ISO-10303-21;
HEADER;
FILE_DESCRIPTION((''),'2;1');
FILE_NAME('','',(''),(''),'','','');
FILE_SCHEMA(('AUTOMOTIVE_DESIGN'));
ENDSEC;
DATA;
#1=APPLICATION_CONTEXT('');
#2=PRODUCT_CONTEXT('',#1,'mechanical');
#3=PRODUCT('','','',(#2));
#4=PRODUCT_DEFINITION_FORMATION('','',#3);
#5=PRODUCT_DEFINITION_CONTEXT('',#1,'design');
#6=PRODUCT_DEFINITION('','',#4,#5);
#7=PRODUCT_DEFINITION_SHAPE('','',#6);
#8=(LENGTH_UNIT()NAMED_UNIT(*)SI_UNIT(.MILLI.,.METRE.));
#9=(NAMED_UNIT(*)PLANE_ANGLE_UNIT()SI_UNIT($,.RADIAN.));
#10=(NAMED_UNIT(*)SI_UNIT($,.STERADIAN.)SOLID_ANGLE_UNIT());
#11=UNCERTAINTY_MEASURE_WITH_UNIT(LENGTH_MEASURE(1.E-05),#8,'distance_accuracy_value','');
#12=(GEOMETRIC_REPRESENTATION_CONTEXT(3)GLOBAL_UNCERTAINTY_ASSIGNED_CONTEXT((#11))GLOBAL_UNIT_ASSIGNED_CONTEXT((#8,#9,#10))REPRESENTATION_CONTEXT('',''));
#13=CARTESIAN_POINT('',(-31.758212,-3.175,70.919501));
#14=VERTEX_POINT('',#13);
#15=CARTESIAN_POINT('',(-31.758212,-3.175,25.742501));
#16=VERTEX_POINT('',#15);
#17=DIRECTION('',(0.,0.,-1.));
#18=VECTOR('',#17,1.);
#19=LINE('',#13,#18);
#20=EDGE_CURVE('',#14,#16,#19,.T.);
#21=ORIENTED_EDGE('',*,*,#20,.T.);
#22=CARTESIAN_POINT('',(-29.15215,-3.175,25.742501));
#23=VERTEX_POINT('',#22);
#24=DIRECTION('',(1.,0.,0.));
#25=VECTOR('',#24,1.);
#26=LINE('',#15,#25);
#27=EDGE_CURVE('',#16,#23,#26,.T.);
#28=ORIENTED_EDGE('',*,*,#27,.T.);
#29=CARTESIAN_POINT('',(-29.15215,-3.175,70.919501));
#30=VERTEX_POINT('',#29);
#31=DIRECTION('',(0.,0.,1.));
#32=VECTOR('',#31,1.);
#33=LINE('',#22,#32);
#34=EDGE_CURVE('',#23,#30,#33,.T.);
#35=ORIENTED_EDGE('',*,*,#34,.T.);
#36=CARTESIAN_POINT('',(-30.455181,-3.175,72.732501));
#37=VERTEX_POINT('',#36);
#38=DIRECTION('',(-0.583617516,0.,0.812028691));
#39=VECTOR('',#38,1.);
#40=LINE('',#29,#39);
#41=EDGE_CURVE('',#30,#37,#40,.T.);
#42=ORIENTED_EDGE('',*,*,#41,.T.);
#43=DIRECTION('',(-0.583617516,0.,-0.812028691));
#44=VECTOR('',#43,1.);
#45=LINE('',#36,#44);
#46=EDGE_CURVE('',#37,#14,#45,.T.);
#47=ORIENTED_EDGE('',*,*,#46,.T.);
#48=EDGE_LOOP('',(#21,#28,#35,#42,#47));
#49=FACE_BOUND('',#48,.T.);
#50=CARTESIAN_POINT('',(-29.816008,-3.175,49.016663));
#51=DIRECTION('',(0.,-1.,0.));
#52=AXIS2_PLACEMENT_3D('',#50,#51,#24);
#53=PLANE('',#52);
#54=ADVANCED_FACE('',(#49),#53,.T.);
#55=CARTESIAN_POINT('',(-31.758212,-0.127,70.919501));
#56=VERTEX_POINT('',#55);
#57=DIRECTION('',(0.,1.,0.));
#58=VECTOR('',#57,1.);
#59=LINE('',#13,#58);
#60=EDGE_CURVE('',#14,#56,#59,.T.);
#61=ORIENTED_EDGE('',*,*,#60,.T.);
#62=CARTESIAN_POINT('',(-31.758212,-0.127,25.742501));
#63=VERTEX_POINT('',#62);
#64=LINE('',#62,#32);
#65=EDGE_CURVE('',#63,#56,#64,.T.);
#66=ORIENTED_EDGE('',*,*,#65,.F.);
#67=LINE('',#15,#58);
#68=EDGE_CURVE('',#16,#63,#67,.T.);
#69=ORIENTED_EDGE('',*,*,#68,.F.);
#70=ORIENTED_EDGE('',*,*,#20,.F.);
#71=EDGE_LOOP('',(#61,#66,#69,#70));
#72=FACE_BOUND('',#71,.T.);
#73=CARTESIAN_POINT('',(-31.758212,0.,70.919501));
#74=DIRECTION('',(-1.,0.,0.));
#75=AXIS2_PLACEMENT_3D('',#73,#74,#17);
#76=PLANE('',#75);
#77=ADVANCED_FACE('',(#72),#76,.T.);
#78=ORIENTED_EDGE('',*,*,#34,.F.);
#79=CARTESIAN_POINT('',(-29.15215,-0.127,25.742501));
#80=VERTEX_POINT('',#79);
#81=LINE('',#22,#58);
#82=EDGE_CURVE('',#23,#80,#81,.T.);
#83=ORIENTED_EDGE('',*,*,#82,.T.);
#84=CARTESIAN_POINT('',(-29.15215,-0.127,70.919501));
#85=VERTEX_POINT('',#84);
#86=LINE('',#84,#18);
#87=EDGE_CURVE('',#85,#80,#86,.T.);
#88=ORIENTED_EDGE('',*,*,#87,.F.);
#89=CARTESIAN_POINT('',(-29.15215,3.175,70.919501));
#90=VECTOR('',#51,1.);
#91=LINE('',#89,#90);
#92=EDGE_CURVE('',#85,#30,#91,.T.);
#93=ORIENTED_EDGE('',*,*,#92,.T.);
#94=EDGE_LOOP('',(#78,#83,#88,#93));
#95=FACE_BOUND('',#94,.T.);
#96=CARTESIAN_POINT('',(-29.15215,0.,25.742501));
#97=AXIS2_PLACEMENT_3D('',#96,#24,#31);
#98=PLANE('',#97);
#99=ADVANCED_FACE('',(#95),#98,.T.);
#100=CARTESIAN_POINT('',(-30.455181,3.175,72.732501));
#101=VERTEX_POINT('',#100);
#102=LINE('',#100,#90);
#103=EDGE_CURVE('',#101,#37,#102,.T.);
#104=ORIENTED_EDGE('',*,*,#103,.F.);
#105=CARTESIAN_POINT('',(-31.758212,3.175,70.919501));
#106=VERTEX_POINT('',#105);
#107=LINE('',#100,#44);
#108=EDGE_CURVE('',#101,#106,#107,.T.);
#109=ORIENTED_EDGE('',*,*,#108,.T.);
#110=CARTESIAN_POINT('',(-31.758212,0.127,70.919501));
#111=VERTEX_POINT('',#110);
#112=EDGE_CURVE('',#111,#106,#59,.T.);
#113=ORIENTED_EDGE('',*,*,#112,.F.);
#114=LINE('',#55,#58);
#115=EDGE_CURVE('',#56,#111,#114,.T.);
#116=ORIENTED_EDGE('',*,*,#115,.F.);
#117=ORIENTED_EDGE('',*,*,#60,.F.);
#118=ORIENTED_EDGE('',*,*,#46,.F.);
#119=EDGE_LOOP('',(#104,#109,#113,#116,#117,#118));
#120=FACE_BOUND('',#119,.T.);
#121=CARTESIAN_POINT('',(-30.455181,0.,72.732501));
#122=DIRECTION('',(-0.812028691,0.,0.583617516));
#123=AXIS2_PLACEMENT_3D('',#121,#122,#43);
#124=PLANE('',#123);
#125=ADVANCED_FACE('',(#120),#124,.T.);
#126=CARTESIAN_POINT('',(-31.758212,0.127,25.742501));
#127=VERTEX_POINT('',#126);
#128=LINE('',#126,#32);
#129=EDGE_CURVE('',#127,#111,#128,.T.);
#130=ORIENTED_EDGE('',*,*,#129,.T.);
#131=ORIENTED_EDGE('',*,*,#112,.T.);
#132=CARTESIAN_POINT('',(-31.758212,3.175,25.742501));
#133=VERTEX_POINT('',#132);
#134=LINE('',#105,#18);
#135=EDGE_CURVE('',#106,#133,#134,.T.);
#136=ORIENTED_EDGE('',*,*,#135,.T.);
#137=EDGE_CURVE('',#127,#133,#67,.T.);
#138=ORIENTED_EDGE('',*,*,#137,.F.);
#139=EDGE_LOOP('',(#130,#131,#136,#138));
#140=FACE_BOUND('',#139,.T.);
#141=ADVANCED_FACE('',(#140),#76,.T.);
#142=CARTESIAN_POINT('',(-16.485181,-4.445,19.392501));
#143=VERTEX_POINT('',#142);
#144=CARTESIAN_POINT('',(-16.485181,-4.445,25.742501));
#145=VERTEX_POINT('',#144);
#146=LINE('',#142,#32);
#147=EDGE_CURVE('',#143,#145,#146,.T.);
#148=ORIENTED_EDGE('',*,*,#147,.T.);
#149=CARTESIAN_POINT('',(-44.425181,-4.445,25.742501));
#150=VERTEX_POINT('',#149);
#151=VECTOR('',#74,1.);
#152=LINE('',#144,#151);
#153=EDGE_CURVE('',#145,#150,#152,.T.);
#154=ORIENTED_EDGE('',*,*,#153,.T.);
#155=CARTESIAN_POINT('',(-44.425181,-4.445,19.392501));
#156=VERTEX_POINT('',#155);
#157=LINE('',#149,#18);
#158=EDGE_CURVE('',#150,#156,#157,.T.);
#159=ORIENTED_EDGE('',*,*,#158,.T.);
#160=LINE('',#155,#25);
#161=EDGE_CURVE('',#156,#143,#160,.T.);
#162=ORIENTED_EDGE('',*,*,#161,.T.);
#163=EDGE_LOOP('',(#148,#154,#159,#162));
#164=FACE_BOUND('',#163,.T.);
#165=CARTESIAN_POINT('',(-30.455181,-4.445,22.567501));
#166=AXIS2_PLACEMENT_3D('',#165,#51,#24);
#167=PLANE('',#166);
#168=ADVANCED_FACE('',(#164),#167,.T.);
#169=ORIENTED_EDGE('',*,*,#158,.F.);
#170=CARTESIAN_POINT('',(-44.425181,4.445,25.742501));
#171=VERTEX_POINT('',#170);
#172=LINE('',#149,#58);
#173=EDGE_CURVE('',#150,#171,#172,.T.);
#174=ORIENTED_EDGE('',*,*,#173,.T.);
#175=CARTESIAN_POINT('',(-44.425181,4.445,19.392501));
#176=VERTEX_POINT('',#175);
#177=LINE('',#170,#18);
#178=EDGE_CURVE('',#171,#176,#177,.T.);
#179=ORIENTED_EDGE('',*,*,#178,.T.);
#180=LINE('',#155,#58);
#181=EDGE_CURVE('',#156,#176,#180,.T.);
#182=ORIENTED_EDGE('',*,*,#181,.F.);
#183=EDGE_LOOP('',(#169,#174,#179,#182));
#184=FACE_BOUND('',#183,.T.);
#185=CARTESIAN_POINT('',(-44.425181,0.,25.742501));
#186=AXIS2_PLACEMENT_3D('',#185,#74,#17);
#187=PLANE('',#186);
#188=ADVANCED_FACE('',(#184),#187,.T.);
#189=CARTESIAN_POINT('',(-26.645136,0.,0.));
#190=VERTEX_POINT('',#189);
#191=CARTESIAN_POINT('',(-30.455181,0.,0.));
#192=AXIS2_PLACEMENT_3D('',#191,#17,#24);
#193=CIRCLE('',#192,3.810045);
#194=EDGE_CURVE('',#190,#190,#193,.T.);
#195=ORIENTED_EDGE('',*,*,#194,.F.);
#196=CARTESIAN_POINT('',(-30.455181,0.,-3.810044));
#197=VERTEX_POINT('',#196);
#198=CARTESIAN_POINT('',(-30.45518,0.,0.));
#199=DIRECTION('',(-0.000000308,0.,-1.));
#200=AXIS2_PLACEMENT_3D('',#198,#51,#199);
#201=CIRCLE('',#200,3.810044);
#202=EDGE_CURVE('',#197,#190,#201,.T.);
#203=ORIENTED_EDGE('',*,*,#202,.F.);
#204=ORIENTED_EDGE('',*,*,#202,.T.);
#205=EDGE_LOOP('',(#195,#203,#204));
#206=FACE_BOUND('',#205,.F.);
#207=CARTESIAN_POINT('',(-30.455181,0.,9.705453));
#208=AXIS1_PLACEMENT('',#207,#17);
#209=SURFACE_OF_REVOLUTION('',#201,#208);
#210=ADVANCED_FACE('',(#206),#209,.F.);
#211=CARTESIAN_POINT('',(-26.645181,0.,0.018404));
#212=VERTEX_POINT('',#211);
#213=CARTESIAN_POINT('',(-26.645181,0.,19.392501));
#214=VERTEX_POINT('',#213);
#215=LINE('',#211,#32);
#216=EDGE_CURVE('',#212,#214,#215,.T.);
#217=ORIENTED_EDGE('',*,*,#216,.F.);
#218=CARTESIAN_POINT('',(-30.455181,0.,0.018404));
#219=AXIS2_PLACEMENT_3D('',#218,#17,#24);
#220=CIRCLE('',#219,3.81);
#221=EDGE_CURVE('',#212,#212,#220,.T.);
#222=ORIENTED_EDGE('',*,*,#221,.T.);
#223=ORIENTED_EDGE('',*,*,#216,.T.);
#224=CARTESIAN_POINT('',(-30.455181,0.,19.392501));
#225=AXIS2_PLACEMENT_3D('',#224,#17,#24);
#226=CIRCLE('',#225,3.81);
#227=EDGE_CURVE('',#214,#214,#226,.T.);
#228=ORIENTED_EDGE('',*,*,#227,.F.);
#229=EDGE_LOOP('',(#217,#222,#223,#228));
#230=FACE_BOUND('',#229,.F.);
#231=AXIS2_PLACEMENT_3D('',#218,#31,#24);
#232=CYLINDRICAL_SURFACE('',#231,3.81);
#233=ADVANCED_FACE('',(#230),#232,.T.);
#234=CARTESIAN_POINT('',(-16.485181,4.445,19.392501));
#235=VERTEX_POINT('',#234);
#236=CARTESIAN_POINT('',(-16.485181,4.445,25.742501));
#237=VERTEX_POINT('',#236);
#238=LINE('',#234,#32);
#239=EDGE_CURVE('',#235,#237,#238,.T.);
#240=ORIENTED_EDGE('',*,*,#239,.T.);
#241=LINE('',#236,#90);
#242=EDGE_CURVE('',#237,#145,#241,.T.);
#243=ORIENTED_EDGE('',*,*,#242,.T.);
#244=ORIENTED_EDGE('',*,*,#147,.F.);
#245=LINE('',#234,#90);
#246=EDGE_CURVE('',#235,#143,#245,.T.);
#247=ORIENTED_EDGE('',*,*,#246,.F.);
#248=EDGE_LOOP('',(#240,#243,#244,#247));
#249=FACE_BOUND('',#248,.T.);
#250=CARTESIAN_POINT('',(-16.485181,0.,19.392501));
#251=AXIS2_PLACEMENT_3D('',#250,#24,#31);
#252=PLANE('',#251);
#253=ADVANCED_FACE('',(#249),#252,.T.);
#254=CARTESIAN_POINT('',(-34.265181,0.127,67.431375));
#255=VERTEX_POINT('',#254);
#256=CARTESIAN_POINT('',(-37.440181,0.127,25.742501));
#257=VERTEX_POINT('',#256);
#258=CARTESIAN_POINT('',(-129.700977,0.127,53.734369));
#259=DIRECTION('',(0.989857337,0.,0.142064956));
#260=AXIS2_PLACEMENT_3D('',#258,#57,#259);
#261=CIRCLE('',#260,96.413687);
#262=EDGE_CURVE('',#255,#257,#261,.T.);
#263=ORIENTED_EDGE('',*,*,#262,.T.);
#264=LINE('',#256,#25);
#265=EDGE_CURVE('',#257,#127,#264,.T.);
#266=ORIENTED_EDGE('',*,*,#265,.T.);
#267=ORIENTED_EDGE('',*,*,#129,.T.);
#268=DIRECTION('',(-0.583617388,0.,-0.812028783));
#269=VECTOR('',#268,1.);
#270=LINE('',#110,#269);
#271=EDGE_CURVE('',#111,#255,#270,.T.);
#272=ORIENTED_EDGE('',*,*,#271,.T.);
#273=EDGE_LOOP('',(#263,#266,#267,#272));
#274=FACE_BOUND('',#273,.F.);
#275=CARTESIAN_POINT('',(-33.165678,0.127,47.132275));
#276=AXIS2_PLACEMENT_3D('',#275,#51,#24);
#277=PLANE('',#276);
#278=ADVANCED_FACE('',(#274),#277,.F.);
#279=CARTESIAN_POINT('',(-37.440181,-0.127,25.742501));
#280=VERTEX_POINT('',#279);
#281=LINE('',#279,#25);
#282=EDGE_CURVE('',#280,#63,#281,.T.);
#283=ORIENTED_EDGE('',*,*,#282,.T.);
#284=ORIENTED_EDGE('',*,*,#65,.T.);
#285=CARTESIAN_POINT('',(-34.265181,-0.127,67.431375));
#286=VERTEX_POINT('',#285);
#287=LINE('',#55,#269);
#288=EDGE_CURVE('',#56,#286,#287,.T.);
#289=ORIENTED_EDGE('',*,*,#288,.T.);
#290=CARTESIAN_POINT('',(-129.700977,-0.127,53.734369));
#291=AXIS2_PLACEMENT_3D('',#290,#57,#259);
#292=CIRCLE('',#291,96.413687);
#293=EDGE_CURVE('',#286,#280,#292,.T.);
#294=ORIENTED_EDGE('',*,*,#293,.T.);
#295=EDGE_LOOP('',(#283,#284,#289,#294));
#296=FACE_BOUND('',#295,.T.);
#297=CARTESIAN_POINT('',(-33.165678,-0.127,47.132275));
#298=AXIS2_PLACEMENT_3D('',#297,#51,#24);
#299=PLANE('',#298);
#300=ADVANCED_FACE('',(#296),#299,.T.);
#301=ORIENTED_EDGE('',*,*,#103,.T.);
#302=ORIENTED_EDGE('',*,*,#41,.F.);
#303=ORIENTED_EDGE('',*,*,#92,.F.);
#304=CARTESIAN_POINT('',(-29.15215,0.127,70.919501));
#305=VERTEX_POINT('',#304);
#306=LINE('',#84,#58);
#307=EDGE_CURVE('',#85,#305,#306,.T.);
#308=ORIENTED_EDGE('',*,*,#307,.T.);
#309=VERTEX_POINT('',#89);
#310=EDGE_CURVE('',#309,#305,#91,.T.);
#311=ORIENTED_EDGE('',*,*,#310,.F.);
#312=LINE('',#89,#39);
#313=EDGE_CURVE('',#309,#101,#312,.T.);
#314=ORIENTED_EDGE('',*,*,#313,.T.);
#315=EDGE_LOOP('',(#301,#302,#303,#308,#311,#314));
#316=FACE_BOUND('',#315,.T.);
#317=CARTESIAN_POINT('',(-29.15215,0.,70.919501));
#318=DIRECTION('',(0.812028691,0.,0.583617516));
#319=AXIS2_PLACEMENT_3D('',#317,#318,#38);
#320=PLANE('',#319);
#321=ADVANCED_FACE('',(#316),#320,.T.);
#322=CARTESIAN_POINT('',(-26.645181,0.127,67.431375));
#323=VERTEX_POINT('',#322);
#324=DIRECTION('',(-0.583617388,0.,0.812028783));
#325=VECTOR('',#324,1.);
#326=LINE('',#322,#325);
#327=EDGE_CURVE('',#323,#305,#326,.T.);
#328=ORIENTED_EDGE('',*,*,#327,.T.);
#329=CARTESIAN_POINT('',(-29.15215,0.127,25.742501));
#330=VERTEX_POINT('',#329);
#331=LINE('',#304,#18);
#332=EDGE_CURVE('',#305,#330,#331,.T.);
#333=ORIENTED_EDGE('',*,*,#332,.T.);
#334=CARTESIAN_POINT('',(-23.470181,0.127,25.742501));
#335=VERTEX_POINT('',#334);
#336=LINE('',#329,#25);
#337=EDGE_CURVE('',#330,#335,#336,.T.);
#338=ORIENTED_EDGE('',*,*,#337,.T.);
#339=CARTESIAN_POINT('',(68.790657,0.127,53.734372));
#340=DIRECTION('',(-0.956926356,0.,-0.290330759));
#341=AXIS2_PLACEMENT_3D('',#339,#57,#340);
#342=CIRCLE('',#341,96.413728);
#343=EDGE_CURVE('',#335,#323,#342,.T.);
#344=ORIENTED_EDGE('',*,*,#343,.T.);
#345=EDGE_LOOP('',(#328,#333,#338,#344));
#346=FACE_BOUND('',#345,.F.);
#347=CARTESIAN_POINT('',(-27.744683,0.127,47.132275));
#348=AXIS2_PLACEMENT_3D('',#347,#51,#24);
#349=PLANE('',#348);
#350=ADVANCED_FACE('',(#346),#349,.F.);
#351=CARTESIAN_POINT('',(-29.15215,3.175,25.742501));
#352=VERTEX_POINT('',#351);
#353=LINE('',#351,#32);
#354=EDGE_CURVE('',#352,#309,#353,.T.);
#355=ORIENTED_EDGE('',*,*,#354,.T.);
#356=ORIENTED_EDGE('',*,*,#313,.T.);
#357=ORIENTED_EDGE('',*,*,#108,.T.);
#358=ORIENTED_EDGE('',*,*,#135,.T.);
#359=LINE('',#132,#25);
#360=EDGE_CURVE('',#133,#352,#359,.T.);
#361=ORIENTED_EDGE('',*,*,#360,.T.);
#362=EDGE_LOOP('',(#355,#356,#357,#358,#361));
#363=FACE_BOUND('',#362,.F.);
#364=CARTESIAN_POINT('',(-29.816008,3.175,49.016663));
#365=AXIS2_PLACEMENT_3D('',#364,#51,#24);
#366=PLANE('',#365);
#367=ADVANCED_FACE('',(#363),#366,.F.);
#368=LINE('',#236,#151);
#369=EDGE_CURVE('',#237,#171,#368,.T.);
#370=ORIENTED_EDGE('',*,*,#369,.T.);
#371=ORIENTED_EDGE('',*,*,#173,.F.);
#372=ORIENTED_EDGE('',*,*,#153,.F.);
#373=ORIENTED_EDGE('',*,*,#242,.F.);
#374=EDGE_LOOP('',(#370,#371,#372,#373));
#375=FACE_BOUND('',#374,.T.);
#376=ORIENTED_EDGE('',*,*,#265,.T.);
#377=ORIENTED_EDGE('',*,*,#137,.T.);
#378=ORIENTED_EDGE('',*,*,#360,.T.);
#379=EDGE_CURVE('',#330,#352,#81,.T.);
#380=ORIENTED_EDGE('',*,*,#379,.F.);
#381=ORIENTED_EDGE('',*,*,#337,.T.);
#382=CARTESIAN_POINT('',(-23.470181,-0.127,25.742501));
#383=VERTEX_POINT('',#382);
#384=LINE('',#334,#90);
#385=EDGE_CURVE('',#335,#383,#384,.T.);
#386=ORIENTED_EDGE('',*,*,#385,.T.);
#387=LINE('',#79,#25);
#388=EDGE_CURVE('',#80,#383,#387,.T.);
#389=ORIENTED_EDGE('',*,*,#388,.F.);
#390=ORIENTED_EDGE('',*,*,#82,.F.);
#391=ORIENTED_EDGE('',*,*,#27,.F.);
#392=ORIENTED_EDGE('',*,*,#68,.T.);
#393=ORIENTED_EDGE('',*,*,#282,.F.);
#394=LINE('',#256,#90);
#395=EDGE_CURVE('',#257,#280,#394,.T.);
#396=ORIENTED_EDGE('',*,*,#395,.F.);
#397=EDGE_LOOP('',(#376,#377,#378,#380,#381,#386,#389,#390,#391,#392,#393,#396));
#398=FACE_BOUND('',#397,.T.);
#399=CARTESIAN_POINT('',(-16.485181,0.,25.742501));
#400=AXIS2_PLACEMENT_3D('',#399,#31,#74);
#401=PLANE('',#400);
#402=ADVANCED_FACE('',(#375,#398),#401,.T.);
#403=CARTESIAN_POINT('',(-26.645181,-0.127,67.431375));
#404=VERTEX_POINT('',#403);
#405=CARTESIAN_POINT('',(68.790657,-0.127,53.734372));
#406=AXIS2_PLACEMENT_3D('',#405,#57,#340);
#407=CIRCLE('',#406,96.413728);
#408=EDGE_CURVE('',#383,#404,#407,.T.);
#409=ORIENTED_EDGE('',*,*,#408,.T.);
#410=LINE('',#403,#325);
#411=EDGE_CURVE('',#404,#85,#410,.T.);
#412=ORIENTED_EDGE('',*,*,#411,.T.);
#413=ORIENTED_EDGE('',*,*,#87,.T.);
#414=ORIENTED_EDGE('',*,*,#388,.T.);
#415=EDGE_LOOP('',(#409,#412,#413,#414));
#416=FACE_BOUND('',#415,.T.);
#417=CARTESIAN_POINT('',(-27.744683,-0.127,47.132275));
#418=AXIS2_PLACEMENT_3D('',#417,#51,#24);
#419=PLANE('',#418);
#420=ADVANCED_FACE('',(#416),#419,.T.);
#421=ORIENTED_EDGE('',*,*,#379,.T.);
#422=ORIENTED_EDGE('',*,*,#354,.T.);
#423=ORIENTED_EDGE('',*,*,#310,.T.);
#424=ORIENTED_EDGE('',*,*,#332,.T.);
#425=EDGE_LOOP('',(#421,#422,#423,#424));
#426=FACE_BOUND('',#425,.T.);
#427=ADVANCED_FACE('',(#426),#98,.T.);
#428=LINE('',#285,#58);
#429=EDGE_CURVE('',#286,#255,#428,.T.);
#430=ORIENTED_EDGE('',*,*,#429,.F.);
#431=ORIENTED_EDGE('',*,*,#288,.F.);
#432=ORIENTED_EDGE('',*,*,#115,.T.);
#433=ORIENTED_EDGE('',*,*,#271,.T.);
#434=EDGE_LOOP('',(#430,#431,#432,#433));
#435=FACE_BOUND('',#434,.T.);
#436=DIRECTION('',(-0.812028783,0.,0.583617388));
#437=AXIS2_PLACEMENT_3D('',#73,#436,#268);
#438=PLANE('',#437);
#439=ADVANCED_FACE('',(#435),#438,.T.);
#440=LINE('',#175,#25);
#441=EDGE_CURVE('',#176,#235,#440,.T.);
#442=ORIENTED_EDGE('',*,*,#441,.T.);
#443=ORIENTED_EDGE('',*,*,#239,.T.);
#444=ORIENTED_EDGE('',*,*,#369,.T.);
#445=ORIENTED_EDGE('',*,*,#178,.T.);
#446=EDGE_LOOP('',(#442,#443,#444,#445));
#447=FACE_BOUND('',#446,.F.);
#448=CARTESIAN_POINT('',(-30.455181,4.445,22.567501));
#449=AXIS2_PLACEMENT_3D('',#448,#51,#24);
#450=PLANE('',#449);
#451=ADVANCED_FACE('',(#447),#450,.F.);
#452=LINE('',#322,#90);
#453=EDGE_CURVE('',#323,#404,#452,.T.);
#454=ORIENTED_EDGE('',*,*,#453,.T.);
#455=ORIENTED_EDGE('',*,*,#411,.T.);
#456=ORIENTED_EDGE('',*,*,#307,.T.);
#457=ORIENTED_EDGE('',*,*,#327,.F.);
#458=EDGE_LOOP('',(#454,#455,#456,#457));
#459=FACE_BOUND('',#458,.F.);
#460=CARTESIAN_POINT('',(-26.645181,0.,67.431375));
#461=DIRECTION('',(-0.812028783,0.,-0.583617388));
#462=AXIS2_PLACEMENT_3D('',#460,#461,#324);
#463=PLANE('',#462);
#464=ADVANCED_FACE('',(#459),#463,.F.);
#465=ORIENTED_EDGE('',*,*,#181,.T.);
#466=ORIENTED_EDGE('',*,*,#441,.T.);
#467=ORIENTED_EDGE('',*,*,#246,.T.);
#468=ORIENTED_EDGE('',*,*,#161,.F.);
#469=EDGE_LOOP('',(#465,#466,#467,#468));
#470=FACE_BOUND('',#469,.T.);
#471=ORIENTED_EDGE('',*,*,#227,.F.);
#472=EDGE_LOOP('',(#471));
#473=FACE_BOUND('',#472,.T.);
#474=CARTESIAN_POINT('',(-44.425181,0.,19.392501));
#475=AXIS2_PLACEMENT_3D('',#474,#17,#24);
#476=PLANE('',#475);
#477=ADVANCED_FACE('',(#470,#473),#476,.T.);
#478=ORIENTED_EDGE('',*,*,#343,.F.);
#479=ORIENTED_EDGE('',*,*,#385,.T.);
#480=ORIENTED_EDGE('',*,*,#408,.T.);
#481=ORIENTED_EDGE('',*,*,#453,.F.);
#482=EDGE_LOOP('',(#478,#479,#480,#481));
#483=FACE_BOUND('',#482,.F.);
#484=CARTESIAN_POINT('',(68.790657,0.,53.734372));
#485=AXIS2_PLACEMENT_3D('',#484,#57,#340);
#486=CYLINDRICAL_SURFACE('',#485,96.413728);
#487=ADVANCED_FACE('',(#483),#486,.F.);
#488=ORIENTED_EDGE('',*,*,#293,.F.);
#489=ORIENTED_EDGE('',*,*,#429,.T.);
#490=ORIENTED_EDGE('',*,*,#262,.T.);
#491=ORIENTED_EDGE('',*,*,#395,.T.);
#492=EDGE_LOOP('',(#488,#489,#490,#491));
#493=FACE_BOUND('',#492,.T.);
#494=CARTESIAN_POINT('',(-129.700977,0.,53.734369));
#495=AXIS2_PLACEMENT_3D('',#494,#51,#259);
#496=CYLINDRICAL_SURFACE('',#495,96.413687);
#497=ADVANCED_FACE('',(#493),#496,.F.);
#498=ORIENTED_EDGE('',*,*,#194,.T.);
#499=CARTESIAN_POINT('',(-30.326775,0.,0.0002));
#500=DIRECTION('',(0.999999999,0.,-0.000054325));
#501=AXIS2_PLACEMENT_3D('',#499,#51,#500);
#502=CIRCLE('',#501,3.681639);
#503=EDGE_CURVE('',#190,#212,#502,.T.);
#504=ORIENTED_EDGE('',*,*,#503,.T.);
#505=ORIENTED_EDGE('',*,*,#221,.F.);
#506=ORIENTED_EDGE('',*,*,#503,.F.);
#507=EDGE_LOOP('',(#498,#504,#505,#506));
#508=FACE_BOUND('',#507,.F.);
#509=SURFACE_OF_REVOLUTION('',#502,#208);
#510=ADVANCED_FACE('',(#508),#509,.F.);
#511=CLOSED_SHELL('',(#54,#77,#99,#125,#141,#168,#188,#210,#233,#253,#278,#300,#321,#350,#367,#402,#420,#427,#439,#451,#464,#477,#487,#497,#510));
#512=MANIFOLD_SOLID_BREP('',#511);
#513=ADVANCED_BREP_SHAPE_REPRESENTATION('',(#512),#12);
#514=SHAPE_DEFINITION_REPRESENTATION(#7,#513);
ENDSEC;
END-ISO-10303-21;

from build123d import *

# Parameters (mm, degrees)
F2_DEPTH = 4.445
F3_DEPTH = 0.127
F4_DEPTH = 3.175


with BuildPart() as f1:
    # F0 (on Front) → F1 (revolve)
    with BuildSketch(Plane.XZ):
        with BuildLine():
            Line((-26.645181, 19.392501), (-30.455181, 19.392501))
            Line((-30.455181, 19.392501), (-30.455181, 3.810044))
            ThreePointArc((-30.455181, 3.810044), (-27.767587, 2.700607), (-26.645181, 0.018404))
            Line((-26.645181, 0.018404), (-26.645181, 19.392501))
        make_face()
        with BuildLine():
            Line((-26.645181, 0.018404), (-30.455181, 0.018404))
            Line((-30.455181, 0.018404), (-30.455181, -3.810044))
            ThreePointArc((-30.455181, -3.810044), (-27.761072, -2.694108), (-26.645136, 0))
            ThreePointArc((-26.645136, 0), (-26.645147, 0.009202), (-26.645181, 0.018404))
        make_face()
        with BuildLine():
            ThreePointArc((-26.645181, 0.018404), (-27.767587, 2.700607), (-30.455181, 3.810044))
            Line((-30.455181, 3.810044), (-30.455181, 0.018404))
            Line((-30.455181, 0.018404), (-26.645181, 0.018404))
        make_face()
    revolve(axis=Axis((-30.455181, 0, 9.705453), (0, 0, -1)))

    # F0 (on Front) → F2 (join, symmetric)
    with BuildSketch(Plane.XZ):
        Polygon((-44.425181, 19.392501), (-34.265181, 19.392501), (-30.455181, 19.392501), (-26.645181, 19.392501), (-16.485181, 19.392501), (-16.485181, 25.742501), (-23.470181, 25.742501), (-29.15215, 25.742501), (-30.455181, 25.742501), (-31.758212, 25.742501), (-37.440181, 25.742501), (-44.425181, 25.742501), align=None)
    extrude(amount=F2_DEPTH, both=True)

    # F0 (on Front) → F3 (join, symmetric)
    with BuildSketch(Plane.XZ):
        with BuildLine():
            Line((-29.15215, 25.742501), (-23.470181, 25.742501))
            ThreePointArc((-23.470181, 25.742501), (-27.34467, 46.412762), (-26.645181, 67.431375))
            Line((-26.645181, 67.431375), (-29.15215, 70.919501))
            Line((-29.15215, 70.919501), (-29.15215, 25.742501))
        make_face()
        with BuildLine():
            ThreePointArc((-34.265181, 67.431375), (-33.565691, 46.412762), (-37.440181, 25.742501))
            Line((-37.440181, 25.742501), (-31.758212, 25.742501))
            Line((-31.758212, 25.742501), (-31.758212, 70.919501))
            Line((-31.758212, 70.919501), (-34.265181, 67.431375))
        make_face()
    extrude(amount=F3_DEPTH, both=True)

    # F0 (on Front) → F4 (join, symmetric)
    with BuildSketch(Plane.XZ):
        Polygon((-30.455181, 72.732501), (-30.455181, 25.742501), (-29.15215, 25.742501), (-29.15215, 70.919501), align=None)
        Polygon((-31.758212, 70.919501), (-31.758212, 25.742501), (-30.455181, 25.742501), (-30.455181, 72.732501), align=None)
    extrude(amount=F4_DEPTH, both=True)


solid = f1.part
